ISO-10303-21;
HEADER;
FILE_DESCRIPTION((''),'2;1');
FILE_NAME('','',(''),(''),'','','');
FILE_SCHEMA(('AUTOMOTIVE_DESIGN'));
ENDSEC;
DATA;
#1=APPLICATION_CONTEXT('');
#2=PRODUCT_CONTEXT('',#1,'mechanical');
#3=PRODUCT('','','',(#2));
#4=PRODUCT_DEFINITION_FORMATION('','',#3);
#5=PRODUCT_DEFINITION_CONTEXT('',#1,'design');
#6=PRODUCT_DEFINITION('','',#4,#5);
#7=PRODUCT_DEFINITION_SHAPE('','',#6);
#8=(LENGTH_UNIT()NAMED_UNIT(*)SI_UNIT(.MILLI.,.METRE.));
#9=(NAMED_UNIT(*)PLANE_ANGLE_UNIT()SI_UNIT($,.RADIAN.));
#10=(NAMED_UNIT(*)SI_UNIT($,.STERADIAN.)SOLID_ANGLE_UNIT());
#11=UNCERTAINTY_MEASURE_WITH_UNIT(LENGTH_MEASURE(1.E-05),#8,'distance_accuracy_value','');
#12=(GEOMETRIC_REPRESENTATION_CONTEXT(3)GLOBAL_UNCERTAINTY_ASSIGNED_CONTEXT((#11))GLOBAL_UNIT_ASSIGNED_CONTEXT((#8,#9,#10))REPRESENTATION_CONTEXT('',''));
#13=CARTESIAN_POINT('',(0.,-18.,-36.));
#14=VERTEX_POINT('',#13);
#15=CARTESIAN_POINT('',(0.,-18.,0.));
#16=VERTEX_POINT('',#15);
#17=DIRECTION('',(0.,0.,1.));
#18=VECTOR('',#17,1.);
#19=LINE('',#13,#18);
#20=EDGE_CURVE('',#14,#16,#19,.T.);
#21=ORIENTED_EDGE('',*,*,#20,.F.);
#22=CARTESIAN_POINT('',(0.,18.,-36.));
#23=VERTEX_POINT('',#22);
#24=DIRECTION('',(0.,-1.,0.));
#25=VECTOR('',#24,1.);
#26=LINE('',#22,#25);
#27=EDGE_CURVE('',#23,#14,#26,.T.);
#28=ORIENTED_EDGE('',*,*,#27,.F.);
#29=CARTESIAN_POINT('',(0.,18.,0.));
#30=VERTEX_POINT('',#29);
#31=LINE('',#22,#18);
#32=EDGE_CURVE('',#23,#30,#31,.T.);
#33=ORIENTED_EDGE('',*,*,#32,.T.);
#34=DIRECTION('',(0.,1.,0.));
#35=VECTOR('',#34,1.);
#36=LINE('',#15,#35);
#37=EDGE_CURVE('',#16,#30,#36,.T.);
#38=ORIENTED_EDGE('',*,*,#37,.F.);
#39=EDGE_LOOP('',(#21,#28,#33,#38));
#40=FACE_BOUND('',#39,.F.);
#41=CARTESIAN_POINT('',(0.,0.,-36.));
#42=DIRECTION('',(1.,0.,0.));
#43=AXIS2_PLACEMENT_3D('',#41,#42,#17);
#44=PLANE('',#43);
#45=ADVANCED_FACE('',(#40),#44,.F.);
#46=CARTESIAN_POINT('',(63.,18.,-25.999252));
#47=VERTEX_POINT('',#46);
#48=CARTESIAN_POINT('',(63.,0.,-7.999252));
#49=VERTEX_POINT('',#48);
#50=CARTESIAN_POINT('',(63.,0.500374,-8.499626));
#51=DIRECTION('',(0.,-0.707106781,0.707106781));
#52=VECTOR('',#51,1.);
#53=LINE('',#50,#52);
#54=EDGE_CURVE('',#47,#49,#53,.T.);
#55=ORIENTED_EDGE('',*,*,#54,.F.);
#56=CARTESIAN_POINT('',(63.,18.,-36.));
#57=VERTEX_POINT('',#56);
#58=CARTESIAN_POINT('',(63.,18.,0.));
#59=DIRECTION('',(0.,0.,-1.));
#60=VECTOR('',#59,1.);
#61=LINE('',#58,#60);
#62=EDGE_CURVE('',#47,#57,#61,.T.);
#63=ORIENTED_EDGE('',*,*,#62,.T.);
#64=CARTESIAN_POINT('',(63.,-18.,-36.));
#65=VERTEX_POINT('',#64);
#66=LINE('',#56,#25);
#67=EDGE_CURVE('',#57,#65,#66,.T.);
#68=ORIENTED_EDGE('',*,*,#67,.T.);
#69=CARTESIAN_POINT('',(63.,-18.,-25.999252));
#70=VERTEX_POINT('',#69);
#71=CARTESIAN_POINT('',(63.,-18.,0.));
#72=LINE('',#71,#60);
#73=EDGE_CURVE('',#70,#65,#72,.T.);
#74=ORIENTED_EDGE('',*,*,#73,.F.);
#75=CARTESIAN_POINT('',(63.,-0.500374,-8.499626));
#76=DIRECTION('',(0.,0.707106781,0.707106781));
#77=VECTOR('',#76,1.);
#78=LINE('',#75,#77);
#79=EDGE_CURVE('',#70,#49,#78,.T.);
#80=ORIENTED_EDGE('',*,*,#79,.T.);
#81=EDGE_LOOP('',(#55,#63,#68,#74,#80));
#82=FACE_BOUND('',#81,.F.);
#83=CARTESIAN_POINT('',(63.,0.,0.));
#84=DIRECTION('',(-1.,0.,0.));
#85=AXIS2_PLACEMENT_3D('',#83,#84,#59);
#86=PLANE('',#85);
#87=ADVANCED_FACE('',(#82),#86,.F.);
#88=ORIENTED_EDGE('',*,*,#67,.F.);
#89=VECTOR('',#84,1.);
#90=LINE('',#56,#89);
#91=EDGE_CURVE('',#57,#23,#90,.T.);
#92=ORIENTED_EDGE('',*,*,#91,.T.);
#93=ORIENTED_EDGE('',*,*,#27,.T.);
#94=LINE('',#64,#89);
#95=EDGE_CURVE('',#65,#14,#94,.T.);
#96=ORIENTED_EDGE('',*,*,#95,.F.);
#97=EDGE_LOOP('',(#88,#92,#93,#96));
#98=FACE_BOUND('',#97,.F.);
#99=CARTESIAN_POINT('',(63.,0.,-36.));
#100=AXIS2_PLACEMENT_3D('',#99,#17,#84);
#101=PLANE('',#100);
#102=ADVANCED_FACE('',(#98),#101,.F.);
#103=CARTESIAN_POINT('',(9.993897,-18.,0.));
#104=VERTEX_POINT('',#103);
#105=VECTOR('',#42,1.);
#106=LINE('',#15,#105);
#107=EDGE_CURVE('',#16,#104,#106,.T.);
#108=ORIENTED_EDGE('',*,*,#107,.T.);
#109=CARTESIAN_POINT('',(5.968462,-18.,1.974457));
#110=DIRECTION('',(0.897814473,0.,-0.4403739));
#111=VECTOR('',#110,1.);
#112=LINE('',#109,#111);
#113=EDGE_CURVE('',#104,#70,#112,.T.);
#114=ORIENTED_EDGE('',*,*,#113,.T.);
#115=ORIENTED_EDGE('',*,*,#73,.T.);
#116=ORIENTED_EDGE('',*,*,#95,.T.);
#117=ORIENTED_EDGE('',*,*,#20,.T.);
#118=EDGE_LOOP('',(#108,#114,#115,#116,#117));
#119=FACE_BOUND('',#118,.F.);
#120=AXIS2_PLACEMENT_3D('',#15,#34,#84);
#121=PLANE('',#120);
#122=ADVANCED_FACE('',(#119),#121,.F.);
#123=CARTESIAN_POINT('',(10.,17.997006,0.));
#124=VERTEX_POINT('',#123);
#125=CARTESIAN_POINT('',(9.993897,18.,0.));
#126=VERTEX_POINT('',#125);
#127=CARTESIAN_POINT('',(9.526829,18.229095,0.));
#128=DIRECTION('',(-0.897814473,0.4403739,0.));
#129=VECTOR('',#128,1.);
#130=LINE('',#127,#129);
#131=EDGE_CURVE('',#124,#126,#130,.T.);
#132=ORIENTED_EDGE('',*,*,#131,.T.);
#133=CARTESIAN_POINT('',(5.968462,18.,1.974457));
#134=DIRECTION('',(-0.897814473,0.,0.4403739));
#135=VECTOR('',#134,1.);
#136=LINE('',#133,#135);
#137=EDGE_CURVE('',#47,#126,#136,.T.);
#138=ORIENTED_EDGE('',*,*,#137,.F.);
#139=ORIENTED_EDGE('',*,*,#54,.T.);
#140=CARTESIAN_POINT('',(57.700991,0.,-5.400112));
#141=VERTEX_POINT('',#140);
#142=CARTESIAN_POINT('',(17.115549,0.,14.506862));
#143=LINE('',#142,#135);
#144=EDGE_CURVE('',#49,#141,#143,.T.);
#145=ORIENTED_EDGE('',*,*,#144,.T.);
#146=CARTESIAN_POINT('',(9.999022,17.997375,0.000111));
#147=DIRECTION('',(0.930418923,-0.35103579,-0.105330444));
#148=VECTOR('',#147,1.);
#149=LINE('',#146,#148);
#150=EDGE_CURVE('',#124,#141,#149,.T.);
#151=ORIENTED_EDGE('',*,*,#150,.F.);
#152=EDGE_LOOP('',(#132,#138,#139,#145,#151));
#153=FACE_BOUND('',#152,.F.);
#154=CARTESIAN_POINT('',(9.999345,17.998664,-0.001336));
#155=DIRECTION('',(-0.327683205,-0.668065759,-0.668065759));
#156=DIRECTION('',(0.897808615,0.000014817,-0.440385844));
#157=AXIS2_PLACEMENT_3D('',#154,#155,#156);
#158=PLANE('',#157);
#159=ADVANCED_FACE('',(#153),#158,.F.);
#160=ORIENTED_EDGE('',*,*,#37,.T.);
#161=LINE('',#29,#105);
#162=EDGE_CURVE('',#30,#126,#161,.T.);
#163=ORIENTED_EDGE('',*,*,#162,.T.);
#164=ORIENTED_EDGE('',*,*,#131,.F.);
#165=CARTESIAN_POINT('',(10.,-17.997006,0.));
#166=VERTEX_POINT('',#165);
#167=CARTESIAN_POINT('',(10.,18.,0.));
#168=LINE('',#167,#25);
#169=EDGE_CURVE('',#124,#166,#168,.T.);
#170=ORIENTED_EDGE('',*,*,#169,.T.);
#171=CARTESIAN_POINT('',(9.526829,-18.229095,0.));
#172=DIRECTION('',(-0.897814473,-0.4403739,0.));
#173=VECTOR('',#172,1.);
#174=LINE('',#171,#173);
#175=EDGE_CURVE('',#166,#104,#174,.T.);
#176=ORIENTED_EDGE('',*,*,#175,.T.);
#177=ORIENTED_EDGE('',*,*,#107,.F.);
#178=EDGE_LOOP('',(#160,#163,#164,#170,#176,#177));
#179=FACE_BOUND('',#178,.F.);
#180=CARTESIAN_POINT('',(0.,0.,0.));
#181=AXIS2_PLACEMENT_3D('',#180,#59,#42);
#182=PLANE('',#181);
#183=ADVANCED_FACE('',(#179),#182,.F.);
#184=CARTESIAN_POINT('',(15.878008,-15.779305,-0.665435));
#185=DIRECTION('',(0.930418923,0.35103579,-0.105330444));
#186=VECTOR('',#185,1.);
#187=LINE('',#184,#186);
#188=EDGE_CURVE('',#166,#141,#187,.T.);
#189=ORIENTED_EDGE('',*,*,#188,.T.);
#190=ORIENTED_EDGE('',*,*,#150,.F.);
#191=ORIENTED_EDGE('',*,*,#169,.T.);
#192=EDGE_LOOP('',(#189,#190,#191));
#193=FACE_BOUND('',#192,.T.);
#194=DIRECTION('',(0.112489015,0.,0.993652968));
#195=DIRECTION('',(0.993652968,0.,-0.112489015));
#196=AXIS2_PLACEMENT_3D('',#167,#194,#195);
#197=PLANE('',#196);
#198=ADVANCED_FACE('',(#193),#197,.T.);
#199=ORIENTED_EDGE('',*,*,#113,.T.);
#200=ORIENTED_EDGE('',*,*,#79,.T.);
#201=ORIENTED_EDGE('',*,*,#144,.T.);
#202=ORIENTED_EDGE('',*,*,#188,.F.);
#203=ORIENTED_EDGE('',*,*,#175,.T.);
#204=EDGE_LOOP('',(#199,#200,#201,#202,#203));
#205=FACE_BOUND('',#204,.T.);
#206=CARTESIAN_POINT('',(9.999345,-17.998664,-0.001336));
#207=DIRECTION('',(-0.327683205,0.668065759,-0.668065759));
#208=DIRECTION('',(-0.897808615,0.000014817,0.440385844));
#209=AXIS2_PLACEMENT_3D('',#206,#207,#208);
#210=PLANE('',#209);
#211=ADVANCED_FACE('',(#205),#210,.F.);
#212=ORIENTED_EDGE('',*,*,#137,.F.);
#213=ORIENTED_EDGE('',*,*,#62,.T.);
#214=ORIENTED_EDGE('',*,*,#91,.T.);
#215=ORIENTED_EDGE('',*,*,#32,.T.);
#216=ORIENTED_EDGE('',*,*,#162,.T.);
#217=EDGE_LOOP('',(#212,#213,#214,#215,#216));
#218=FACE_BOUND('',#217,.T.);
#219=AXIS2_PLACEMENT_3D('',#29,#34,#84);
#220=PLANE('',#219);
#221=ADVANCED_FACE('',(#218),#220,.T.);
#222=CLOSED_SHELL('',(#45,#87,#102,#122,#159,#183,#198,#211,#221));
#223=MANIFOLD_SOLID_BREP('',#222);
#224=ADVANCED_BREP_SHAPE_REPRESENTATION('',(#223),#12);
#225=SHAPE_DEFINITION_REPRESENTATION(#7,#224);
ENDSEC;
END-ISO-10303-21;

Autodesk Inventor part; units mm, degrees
ref_plane "YZ Plane" through (0, 0, 0) normal (1, 0, 0) x (0, 1, 0)
ref_plane "XZ Plane" through (0, 0, 0) normal (0, 1, 0) x (-1, 0, 0)
sketch "草圖1" plane through (0, 0, 0) normal (0, 1, 0) x (-1, 0, 0)
  line L0 (0, 0) -> (-63, 0)
  line L1 (-63, 0) -> (-63, -36)
  line L2 (-63, -36) -> (0, -36)
  line L3 (0, -36) -> (0, 0)
  dimension "d0" = 63
  dimension "d1" = 36
extrude "擠出1" add sketch "草圖1" along normal mid plane 36
sketch "草圖2" plane through (0, 18, 0) normal (0, 1, 0) x (1, 0, 0)
  line L0 (0, 0) -> (63, 0) projected
  line L1 (10, 0) -> (63, 6)
  line L2 (63, 0) -> (63, 36) projected
  dimension "d4" = 10
  dimension "d5" = 30
extrude "擠出2" cut sketch "草圖2" against normal blind 40
sketch "草圖3" plane through (63, -18, -36) normal (1, 0, 0) x (0, 0, -1)
  line L0 (-30, 16) -> (-10, 36)
  line L1 (0, 36) -> (-36, 36) projected
  line L2 (-30, 36) -> (-30, 0) projected
  point P0 (-36, 18)
  dimension "d8" = 20
  dimension "d9" = 20
ref_plane "工作平面1" through (10, 18, 0) normal (-0.3277, -0.6681, -0.6681) x (0.8978, 0, -0.4404)
sketch "草圖4" plane through (10, 18, 0) normal (-0.3277, -0.6681, -0.6681) x (0.8978, 0, -0.4404)
  line L0 (-15.1543, -12.3218) -> (93.717, -12.3218)
  line L1 (93.717, -12.3218) -> (93.717, 28.8166)
  line L2 (93.717, 28.8166) -> (-15.1543, 28.8166)
  line L3 (-15.1543, 28.8166) -> (-15.1543, -12.3218)
  point P0 (-8.9779, 10.4517)
extrude "擠出3" cut sketch "草圖4" against normal blind 40
mirror "鏡射1" about plane through (0, 0, 0) normal (0, 1, 0) of "擠出3"
properties part number "4"
